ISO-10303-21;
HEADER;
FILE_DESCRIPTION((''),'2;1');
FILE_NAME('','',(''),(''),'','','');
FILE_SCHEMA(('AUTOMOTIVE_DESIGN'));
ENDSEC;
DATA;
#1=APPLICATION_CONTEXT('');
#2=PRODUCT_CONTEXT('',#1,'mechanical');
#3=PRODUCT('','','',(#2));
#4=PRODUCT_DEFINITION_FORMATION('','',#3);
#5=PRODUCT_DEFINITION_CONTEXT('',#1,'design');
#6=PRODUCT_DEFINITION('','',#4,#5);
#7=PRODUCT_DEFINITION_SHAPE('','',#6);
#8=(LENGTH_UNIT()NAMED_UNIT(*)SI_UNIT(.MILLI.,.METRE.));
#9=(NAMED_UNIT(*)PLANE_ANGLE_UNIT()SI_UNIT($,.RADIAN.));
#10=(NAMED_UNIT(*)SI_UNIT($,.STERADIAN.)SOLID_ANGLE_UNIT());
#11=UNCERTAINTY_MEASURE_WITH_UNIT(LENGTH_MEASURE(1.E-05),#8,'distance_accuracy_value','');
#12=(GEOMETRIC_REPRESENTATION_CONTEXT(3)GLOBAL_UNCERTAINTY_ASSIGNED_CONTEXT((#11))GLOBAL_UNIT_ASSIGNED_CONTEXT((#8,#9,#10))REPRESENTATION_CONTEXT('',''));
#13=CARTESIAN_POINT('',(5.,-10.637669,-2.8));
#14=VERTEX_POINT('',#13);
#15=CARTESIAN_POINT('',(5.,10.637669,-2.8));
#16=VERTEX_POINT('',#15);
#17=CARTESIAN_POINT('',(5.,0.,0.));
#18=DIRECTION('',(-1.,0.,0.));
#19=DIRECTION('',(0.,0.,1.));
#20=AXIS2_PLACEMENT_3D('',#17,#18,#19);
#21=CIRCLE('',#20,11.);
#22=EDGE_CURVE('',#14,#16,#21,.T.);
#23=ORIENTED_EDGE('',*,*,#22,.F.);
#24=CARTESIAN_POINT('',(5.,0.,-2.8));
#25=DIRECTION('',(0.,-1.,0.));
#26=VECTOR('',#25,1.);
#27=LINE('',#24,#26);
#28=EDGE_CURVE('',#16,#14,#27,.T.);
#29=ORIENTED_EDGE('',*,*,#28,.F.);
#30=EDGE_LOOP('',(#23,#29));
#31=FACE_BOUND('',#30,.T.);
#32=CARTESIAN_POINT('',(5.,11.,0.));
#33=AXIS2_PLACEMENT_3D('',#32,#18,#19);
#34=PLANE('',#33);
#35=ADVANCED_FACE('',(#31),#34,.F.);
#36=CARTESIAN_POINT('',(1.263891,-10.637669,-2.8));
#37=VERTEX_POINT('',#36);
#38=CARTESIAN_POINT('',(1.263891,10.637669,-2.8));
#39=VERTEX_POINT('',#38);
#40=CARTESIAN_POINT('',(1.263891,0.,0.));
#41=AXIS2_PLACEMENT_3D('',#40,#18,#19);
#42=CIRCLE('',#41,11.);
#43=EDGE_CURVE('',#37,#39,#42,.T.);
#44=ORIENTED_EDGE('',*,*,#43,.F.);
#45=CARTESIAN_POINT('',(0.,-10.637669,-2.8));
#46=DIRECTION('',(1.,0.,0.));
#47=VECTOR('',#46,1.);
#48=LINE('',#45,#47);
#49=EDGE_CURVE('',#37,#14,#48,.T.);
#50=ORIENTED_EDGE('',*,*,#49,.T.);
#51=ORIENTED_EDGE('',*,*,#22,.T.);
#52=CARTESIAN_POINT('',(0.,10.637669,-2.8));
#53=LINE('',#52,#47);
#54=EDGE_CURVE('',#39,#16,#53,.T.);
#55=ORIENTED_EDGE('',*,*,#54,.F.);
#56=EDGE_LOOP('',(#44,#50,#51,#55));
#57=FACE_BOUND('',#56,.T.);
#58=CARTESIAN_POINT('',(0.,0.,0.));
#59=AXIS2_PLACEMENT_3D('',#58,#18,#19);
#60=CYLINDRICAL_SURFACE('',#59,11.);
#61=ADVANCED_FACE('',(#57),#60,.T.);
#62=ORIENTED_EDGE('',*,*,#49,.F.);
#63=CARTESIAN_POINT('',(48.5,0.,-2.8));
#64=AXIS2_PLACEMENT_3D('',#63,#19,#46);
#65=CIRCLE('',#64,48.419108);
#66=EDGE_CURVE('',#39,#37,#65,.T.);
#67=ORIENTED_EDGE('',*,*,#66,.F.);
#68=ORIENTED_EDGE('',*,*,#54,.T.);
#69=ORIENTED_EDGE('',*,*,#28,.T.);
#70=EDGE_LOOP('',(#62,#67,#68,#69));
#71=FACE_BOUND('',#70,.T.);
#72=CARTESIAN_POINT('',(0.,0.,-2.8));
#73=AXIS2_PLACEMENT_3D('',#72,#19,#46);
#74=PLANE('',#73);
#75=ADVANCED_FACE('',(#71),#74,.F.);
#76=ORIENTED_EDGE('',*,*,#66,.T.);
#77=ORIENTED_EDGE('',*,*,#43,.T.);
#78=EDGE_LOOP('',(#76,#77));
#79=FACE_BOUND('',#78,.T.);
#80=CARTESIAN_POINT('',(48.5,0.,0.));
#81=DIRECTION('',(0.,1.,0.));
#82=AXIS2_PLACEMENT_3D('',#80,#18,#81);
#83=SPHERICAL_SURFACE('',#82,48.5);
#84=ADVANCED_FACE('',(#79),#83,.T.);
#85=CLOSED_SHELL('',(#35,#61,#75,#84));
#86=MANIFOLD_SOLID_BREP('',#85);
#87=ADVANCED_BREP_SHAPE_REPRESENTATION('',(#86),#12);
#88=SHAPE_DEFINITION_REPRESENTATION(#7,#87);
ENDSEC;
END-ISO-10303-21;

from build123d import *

# Parameters (mm, degrees)
CUT_EXTRUDE_1_DEPTH = 6


with BuildPart() as part:
    # Эскиз1 → Повернуть1 (revolve)
    with BuildSketch(Plane.XY):
        with BuildLine():
            Line((1.263890931, 11), (5, 11))
            Line((5, 11), (5, 0))
            Line((5, 0), (0, 0))
            ThreePointArc((0, 0), (0.317008759, 5.536185968), (1.263890931, 11))
        make_face()
    revolve(axis=Axis((0, 0, 0), (1, 0, 0)))

    # Эскиз2 → Вырез-Вытянуть1 (cut, through all)
    with BuildSketch(Plane(origin=(5, 0, 0), x_dir=(0, 0, -1), z_dir=(1, 0, 0))):
        Polygon((2.8, 71.965194328), (2.8, 10.637668918), (2.8, -10.637668918), (2.8, -71.965194328), (125.455050821, -71.965194328), (125.455050821, 71.965194328), align=None)
    extrude(amount=-CUT_EXTRUDE_1_DEPTH, mode=Mode.SUBTRACT)


solid = part.part
